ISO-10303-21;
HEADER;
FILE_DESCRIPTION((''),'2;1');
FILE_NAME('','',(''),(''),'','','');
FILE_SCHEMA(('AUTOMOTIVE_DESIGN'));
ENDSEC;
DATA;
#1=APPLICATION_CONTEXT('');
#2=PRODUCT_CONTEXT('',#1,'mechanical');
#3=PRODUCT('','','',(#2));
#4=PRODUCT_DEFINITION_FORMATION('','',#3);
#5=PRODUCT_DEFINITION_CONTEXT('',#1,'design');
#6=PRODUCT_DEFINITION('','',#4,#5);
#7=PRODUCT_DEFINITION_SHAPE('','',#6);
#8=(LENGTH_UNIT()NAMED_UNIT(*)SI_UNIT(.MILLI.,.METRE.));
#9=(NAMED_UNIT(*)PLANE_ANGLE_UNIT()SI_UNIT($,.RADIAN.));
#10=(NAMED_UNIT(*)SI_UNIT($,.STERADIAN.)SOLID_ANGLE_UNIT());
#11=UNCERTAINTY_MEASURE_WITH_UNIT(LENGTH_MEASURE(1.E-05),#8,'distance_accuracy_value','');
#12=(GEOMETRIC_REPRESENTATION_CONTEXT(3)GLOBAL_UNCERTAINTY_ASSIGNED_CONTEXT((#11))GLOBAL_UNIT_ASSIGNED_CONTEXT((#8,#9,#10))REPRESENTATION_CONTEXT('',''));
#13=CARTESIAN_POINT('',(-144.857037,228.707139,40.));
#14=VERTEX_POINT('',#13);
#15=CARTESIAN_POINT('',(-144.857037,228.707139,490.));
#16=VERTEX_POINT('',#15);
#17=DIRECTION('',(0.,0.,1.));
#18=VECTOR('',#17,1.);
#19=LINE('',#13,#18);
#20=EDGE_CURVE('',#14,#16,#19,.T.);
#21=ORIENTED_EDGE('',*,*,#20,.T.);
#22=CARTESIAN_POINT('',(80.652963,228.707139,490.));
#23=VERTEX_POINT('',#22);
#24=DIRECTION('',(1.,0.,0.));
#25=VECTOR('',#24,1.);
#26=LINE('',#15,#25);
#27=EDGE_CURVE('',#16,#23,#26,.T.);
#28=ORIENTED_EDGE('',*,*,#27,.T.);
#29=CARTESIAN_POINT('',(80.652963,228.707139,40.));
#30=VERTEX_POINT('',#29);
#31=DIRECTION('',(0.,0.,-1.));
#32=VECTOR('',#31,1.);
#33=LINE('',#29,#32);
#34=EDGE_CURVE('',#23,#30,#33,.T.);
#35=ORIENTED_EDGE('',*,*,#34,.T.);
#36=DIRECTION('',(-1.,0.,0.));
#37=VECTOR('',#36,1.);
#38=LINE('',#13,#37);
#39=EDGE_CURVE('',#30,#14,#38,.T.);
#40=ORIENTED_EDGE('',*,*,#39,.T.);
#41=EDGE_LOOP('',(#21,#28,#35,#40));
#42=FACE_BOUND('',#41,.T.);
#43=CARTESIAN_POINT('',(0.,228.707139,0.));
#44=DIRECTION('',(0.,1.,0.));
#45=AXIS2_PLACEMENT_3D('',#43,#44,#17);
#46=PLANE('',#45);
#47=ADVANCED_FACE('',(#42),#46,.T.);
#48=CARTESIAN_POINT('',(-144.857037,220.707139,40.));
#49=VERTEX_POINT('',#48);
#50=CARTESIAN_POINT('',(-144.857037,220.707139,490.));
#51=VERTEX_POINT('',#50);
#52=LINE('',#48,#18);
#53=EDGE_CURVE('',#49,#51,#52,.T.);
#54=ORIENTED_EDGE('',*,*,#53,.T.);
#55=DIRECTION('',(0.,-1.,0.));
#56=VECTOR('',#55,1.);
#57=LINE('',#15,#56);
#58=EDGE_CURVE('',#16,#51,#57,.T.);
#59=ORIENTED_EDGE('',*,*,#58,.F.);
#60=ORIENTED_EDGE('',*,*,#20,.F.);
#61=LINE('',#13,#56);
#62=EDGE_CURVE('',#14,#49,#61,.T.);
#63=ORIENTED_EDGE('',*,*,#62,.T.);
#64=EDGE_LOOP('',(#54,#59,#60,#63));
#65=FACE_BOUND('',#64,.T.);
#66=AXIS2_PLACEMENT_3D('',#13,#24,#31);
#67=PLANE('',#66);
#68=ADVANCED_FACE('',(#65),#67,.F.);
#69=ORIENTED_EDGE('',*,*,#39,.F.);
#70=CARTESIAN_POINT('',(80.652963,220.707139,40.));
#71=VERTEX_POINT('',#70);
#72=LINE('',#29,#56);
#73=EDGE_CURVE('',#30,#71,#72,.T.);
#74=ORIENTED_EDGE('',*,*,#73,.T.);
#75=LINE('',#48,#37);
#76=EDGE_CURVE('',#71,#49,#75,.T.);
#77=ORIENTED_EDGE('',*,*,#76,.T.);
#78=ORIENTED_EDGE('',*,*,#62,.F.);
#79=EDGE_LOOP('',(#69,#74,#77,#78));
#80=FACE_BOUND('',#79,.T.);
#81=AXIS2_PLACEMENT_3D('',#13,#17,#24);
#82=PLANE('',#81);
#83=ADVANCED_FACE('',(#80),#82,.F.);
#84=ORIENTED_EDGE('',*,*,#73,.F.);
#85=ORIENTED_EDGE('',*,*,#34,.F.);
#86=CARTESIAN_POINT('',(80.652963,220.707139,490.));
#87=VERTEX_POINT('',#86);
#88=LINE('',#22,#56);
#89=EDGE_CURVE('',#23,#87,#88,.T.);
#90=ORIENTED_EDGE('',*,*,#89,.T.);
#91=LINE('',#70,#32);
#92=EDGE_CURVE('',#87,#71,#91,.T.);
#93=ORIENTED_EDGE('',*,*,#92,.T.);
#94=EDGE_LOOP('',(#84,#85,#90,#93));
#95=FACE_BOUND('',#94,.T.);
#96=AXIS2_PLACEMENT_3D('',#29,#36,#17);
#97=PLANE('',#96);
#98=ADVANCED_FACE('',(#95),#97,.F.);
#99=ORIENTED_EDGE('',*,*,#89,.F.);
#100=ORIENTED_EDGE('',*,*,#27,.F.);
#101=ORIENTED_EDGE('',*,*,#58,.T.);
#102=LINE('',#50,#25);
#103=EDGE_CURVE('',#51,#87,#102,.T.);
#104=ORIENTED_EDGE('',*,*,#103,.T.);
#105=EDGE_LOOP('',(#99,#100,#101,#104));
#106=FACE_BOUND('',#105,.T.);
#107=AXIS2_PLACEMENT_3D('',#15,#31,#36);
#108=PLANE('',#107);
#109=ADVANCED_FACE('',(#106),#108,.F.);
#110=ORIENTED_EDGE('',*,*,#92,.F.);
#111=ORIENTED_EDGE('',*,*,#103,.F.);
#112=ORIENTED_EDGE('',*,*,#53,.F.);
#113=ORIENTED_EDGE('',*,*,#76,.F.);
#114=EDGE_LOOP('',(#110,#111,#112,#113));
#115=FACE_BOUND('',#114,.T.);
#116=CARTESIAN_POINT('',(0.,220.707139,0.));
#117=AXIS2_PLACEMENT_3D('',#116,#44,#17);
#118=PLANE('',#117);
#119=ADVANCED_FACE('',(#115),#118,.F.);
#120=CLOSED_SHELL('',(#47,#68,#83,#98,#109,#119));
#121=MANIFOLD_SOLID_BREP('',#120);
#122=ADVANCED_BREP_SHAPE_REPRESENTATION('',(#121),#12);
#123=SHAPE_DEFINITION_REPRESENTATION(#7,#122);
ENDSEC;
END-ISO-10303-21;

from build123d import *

# Parameters (mm, degrees)
CROQUIS1_W              = 225.51
CROQUIS1_H              = 450
SALIENTE_EXTRUIR1_DEPTH = 4


with BuildPart() as part:
    # Croquis1 → Saliente-Extruir1 (new, symmetric)
    with BuildSketch(Plane(origin=(0, 224.707138557, 0), x_dir=(1, 0, 0), z_dir=(0, 1, 0))):
        with Locations((-32.102036721, -265)):
            Rectangle(CROQUIS1_W, CROQUIS1_H)
    extrude(amount=SALIENTE_EXTRUIR1_DEPTH, both=True)


solid = part.part
